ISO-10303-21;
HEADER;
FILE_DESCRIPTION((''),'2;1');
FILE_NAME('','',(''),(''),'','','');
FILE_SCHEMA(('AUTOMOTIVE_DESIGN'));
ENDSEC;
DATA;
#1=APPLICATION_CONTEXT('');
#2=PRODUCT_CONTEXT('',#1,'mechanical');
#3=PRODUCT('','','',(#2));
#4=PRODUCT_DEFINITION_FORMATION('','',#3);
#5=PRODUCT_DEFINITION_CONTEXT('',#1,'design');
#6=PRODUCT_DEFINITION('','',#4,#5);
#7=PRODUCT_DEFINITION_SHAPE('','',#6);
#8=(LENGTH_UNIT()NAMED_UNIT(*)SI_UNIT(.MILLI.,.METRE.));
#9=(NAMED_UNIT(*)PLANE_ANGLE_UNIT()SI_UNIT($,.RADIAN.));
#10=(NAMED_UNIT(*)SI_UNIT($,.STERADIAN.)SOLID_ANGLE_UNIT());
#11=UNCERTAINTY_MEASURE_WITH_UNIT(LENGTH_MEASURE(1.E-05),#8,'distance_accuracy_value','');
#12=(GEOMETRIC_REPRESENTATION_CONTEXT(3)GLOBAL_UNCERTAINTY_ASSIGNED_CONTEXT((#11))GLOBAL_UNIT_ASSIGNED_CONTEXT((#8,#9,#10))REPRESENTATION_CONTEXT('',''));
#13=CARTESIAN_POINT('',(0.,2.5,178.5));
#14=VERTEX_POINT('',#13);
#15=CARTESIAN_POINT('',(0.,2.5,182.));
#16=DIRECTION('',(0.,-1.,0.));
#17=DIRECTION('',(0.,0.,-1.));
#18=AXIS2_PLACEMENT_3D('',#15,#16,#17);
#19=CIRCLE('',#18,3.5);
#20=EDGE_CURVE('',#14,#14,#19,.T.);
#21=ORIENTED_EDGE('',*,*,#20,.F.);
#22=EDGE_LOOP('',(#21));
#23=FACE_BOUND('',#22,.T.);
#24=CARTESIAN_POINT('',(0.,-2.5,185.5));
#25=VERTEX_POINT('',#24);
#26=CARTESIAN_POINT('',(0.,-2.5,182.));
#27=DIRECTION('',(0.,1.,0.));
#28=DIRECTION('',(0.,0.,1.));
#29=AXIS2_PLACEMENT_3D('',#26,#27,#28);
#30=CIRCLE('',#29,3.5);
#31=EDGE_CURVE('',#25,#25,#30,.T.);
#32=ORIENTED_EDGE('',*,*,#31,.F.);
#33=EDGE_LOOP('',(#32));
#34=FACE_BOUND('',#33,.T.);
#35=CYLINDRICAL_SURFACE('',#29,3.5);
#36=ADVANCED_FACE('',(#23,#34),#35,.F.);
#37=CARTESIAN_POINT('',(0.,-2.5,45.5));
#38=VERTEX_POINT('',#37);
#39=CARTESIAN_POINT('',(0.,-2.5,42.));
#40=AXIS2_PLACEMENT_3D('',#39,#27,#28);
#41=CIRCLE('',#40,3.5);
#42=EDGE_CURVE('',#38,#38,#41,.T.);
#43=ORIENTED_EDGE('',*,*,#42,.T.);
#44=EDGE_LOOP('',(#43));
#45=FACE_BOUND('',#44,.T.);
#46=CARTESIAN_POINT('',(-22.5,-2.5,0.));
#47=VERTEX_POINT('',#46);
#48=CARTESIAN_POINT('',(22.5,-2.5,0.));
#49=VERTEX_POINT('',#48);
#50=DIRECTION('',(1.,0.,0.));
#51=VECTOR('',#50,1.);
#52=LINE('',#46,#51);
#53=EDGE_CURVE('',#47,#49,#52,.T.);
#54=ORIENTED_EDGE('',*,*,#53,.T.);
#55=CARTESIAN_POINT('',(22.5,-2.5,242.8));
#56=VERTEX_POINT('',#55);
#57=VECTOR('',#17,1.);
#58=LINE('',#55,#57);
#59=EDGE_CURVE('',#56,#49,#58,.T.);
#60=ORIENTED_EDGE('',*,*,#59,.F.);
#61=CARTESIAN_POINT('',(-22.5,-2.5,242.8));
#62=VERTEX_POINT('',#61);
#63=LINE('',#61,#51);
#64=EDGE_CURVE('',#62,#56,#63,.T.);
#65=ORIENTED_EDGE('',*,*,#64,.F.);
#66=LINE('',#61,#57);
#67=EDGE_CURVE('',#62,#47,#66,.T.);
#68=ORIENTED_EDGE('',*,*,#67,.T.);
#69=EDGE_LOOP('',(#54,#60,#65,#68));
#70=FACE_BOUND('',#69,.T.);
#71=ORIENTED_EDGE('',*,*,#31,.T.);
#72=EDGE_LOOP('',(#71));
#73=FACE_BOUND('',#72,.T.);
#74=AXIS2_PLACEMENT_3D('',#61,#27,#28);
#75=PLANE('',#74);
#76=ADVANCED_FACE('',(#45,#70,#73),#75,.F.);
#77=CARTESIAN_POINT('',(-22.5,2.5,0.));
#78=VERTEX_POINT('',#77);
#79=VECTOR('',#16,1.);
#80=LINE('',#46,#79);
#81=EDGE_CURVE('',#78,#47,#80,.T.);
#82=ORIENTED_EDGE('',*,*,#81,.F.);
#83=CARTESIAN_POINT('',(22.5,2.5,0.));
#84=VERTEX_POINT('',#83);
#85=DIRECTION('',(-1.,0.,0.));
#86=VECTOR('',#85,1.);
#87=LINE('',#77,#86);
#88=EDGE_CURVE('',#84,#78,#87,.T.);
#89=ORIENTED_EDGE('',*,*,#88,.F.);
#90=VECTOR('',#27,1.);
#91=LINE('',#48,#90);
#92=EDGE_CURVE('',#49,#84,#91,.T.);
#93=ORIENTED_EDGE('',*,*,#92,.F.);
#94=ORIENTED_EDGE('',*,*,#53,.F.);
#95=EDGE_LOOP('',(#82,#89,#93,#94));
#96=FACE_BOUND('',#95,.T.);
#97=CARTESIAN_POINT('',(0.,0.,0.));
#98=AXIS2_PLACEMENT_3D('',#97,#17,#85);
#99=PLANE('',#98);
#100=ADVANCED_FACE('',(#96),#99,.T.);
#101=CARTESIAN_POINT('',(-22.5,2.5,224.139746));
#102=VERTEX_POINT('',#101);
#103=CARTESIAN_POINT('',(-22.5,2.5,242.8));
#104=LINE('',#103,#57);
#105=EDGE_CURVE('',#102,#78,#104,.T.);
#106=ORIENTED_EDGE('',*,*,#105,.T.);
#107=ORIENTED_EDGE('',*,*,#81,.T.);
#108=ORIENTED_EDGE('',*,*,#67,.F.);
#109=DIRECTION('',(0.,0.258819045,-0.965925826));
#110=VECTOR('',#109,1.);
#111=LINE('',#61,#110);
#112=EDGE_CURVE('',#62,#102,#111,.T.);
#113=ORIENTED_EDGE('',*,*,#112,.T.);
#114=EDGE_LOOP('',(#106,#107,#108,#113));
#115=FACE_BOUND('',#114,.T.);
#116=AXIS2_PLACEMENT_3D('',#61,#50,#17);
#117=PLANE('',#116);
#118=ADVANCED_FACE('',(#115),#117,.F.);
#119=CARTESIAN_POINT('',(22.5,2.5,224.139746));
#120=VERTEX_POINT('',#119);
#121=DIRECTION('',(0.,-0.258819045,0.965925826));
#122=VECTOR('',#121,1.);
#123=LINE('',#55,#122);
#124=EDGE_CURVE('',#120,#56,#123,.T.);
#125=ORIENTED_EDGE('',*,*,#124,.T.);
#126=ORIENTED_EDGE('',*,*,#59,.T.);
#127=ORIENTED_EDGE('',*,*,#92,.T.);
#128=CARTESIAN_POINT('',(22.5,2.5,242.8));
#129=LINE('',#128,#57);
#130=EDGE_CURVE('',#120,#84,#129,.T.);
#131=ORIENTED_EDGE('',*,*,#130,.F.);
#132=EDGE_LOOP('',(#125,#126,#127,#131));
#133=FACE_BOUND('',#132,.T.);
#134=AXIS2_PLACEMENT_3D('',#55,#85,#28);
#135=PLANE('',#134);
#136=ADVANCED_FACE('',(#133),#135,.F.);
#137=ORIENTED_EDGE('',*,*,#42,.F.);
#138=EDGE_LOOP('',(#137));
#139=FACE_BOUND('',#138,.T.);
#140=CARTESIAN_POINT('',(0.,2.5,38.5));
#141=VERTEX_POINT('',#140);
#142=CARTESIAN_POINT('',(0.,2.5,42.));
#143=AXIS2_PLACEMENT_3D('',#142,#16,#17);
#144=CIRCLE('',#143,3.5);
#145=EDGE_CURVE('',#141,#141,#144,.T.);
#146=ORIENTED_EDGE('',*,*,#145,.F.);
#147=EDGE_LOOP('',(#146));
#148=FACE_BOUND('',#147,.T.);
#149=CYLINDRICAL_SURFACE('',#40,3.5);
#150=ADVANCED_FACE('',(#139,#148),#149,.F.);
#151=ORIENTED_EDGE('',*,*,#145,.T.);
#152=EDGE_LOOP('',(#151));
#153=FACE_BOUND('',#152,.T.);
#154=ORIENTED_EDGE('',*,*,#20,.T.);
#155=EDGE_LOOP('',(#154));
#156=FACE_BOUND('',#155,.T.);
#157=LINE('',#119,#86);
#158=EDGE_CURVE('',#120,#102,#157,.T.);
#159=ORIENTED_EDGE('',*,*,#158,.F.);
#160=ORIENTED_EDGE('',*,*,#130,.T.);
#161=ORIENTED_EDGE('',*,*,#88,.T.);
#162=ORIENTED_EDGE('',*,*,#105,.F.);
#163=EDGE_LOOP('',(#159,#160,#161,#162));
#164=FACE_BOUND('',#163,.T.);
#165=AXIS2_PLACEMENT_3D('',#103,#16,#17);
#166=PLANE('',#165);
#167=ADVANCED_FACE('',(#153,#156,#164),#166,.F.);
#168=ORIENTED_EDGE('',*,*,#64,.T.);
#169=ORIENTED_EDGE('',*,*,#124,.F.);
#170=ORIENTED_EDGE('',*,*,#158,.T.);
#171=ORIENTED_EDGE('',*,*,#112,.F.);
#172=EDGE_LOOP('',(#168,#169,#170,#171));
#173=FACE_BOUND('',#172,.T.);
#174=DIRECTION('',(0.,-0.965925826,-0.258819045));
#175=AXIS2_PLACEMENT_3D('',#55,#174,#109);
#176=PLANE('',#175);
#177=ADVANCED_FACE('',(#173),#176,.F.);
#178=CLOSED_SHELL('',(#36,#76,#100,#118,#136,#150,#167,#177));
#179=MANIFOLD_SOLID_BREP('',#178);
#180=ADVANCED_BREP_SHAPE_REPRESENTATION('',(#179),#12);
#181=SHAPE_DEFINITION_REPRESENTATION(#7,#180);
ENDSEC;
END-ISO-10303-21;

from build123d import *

# Parameters (mm, degrees)
SKETCH_1_W               = 45
SKETCH_1_H               = 5
EXTRUDE_1_DEPTH          = 242.8
CUT_EXTRUDE_2_DEPTH      = 244.891553769
CUT_EXTRUDE_2_DEPTH_BACK = 244.891553769
SKETCH_3_R               = 3.5
CUT_EXTRUDE_3_DEPTH      = 247.947545037
CUT_EXTRUDE_3_DEPTH_BACK = 247.947545037


with BuildPart() as part:
    # Эскиз1 → Бобышка-Вытянуть1 (new body)
    with BuildSketch(Plane.XY):
        Rectangle(SKETCH_1_W, SKETCH_1_H)
    extrude(amount=EXTRUDE_1_DEPTH)

    # Эскиз3 → Вырез-Вытянуть2 (cut, two sides: drawn at the far end of the back side and taken through both)
    with BuildSketch(Plane(origin=(0, 2.5, 0), x_dir=(1, 0, 0), z_dir=(0, 1, 0)).offset(-CUT_EXTRUDE_2_DEPTH_BACK)):
        with Locations(Location((0, -42, 0), (0, 0, 270))):
            Circle(SKETCH_3_R)
        with Locations(Location((0, -182, 0), (0, 0, 270))):
            Circle(SKETCH_3_R)
        with Locations((0, -322)):
            Circle(SKETCH_3_R)
        with Locations((0, -462)):
            Circle(SKETCH_3_R)
        with Locations((0, -602)):
            Circle(SKETCH_3_R)
        with Locations((0, -742)):
            Circle(SKETCH_3_R)
        with Locations((0, -882)):
            Circle(SKETCH_3_R)
        with Locations((0, -1022)):
            Circle(SKETCH_3_R)
        with Locations((0, -1162)):
            Circle(SKETCH_3_R)
        with Locations((0, -1302)):
            Circle(SKETCH_3_R)
    extrude(amount=CUT_EXTRUDE_2_DEPTH + CUT_EXTRUDE_2_DEPTH_BACK, mode=Mode.SUBTRACT)

    # Эскиз4 → Вырез-Вытянуть3 (cut, two sides: drawn at the far end of the back side and taken through both)
    with BuildSketch(Plane.ZY.offset(22.5).offset(-CUT_EXTRUDE_3_DEPTH_BACK)):
        Polygon((242.8, -2.5), (224.139745962, 2.5), (242.8, 2.5), align=None)
    extrude(amount=CUT_EXTRUDE_3_DEPTH + CUT_EXTRUDE_3_DEPTH_BACK, mode=Mode.SUBTRACT)


solid = part.part
